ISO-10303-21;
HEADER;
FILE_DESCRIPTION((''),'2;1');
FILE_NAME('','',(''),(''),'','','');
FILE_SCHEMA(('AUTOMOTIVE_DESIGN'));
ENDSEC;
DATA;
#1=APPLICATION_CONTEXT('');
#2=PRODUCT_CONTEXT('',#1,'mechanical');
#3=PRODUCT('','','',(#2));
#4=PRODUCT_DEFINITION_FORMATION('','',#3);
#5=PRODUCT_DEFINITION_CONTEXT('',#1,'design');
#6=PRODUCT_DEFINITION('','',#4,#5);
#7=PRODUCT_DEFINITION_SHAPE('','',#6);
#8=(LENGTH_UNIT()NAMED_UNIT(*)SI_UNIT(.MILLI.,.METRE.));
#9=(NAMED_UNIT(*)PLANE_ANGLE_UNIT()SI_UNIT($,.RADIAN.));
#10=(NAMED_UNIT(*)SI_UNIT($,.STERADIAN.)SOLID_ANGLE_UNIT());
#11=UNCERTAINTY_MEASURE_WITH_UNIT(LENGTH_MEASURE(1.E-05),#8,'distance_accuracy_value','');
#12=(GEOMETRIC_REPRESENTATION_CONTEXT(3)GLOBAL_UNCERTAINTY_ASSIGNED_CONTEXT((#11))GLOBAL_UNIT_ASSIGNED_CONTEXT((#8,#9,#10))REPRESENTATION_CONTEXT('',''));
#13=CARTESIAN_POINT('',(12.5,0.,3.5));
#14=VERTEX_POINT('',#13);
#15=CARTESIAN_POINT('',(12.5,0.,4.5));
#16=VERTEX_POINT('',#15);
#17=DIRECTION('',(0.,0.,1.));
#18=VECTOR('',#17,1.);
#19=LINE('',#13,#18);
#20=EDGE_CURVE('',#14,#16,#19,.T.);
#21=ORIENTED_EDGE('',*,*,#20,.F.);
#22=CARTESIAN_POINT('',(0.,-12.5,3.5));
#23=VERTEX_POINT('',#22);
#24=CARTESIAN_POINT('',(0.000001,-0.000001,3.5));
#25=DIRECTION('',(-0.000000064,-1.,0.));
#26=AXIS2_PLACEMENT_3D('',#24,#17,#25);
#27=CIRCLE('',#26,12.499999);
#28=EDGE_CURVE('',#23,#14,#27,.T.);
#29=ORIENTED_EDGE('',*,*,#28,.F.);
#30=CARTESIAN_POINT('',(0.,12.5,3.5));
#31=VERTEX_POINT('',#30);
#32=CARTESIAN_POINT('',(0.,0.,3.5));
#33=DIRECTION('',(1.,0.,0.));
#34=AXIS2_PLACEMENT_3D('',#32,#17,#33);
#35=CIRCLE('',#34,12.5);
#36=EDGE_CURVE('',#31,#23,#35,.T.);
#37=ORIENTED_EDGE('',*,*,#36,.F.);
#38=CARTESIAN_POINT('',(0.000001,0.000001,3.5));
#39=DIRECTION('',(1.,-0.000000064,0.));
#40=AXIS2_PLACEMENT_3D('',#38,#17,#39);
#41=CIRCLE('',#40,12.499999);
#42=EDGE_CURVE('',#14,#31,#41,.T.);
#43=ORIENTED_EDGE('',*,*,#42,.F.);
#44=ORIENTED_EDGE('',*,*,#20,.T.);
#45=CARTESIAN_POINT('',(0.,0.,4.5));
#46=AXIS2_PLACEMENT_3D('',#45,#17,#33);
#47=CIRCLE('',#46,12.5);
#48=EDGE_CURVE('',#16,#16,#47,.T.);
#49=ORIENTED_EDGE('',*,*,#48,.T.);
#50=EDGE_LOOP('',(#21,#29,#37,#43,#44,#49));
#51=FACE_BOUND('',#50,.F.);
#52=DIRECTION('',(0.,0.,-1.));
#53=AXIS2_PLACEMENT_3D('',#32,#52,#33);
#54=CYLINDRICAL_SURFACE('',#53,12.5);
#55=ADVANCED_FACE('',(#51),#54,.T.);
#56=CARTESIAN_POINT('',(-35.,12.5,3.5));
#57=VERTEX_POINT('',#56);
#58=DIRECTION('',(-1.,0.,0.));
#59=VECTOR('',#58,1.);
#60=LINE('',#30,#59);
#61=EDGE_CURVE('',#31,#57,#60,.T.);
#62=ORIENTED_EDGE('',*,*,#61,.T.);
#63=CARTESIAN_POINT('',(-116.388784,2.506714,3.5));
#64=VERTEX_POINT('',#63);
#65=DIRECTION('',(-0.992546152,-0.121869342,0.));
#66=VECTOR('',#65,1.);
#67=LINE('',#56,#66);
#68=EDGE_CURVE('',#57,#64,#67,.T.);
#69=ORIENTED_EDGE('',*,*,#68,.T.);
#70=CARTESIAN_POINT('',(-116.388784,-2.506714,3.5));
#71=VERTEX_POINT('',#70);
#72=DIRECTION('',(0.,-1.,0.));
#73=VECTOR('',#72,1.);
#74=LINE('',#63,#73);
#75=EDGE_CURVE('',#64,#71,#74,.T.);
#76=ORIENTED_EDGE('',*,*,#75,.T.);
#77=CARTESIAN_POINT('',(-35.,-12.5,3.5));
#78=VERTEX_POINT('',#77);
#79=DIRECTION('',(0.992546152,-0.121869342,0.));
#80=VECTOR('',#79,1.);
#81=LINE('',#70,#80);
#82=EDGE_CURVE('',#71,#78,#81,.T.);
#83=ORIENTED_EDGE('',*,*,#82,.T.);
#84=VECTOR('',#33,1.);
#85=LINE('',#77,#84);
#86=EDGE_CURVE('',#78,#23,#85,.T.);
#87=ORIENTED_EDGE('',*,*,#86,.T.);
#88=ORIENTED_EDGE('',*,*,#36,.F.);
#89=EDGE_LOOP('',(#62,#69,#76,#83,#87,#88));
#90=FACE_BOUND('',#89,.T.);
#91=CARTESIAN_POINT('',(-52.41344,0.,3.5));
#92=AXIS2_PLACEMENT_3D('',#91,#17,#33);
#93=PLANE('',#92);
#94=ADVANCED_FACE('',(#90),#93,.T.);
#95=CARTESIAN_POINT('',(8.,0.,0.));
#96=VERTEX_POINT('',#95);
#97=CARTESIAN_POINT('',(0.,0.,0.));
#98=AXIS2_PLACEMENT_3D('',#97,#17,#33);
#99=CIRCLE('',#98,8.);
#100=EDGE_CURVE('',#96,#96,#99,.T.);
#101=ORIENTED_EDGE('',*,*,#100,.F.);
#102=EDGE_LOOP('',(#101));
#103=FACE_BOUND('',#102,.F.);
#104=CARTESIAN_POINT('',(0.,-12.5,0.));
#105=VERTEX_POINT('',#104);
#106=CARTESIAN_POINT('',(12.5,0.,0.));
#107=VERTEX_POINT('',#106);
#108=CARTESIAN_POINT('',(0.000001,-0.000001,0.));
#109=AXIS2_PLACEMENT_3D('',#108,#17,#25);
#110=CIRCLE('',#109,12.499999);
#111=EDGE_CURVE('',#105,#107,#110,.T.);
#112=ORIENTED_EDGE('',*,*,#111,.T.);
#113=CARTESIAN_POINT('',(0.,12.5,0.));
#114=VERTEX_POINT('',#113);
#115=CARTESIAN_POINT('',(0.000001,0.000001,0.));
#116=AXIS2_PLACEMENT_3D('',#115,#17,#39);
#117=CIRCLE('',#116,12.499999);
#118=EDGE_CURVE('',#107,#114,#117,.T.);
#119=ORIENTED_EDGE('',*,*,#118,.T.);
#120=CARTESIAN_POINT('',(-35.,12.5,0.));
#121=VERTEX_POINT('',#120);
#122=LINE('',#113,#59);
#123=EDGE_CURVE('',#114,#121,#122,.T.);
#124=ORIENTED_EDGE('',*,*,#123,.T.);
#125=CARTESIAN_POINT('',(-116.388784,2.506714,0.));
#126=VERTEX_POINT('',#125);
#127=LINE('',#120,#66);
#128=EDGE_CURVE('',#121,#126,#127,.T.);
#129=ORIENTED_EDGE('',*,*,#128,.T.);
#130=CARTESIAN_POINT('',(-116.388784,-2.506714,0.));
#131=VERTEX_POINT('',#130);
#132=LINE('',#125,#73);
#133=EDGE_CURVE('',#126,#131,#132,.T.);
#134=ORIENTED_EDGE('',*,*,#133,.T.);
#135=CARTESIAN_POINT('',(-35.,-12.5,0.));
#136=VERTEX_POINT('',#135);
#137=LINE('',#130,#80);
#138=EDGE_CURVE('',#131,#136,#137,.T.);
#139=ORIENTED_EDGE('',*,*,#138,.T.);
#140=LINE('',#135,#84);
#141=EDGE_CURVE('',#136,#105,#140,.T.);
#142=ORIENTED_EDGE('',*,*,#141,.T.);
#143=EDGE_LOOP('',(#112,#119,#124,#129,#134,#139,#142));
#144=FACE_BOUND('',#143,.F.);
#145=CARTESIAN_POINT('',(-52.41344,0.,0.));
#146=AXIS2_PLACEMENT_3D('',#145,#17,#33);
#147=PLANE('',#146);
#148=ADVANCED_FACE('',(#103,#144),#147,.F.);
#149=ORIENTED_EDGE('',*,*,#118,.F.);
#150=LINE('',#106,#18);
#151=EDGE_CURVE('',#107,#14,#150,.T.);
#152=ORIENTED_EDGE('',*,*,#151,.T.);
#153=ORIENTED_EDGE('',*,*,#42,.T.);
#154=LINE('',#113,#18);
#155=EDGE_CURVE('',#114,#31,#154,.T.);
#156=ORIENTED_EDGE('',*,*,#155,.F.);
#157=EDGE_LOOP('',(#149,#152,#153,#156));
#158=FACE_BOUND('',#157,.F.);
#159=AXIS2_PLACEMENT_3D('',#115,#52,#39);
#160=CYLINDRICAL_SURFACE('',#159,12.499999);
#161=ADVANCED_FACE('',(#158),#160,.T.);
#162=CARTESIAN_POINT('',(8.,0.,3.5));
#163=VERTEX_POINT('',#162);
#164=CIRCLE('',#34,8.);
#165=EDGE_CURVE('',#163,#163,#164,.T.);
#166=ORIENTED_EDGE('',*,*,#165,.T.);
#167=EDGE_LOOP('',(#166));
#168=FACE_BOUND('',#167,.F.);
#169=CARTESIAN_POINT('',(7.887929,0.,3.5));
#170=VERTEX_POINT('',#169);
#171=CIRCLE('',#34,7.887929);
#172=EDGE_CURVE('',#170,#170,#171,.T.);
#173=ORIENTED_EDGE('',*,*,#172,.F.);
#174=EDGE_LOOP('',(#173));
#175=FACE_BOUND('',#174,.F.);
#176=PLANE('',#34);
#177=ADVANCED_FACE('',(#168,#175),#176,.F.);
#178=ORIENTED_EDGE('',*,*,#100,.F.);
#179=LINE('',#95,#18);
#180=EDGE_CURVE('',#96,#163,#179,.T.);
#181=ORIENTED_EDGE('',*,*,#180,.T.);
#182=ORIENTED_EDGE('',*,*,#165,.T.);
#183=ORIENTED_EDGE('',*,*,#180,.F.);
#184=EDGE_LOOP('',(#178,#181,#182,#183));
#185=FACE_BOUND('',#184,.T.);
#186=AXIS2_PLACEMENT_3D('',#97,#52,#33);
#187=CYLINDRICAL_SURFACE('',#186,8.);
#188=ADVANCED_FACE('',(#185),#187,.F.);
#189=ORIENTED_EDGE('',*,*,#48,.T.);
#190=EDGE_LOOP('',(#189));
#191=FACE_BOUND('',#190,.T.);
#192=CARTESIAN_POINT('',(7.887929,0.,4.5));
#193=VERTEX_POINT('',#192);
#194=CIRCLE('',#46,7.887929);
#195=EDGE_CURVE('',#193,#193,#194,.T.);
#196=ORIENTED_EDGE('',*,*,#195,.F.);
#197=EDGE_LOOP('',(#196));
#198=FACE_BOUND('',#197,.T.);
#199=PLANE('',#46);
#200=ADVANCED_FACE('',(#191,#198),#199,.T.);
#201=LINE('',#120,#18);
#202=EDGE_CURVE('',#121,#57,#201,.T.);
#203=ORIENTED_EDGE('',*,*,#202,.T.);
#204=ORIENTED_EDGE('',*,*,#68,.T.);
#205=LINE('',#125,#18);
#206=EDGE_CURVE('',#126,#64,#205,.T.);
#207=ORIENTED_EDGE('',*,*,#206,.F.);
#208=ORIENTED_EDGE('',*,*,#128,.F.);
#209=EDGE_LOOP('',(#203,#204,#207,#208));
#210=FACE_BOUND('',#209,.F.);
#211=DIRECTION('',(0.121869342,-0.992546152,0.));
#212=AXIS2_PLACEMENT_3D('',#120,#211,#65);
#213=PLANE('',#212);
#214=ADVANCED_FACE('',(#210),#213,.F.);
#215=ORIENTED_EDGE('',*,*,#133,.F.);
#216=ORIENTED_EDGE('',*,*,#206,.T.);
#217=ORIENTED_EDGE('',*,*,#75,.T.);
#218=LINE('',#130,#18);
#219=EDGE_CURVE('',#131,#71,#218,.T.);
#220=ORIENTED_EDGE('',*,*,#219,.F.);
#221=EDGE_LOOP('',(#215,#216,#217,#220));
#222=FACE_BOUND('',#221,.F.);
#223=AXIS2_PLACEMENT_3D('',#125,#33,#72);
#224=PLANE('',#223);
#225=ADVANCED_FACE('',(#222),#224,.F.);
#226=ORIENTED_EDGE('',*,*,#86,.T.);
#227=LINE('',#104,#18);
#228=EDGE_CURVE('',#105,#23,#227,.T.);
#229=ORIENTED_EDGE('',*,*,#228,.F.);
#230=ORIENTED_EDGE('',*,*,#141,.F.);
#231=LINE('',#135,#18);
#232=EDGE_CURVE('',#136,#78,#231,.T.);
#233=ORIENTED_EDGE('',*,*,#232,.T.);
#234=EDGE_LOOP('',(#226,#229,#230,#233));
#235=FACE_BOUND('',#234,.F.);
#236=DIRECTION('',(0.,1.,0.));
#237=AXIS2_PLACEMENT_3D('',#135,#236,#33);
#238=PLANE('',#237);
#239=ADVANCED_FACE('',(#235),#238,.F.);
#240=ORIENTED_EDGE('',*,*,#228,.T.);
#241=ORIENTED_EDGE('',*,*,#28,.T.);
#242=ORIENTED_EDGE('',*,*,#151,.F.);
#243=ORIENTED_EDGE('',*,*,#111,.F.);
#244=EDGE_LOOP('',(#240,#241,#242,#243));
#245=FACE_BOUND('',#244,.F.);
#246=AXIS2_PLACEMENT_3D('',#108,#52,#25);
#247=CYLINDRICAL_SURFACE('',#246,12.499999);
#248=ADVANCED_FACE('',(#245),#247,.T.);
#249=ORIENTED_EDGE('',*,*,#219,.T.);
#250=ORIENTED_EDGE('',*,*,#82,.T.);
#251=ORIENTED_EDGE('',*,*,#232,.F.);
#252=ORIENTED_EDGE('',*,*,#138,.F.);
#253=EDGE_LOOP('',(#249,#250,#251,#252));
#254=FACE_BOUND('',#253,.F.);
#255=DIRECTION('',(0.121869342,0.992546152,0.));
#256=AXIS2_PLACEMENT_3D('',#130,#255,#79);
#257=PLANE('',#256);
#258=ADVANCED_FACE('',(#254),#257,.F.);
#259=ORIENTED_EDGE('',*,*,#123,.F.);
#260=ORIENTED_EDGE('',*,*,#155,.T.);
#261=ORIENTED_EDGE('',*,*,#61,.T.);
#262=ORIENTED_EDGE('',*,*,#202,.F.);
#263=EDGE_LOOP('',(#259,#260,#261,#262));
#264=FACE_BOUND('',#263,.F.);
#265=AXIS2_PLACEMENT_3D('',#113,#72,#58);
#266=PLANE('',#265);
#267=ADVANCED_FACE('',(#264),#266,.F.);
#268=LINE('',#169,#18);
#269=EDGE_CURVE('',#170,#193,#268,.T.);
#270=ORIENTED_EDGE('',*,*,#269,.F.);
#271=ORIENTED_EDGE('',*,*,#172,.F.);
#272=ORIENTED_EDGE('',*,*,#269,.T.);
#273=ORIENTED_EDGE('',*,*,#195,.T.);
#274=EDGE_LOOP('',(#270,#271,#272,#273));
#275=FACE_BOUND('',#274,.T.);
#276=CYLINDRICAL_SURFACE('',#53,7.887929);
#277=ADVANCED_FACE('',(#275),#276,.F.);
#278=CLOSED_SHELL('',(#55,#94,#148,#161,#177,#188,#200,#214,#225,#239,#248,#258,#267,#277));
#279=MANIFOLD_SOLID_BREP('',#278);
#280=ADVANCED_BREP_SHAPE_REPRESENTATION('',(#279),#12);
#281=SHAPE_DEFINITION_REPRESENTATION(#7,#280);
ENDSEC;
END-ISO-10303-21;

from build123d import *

# Parameters (mm, degrees)
F0_R     = 8
F1_DEPTH = 3.5
F2_R     = 12.5
F2_R_2   = 7.887929
F3_DEPTH = 1


with BuildPart() as f1:
    # F0 (on Top) → F1 (new body)
    with BuildSketch(Plane.XY):
        with BuildLine():
            ThreePointArc((0, -12.5), (-12.5, 0), (0, 12.5))
            Line((0, 12.5), (-35, 12.5))
            Line((-35, 12.5), (-116.388784, 2.506714))
            Line((-116.388784, 2.506714), (-116.388784, -2.506714))
            Line((-116.388784, -2.506714), (-35, -12.5))
            Line((-35, -12.5), (0, -12.5))
        make_face()
        with BuildLine():
            ThreePointArc((0, -12.5), (8.838835, -8.838835), (12.5, 0))
            ThreePointArc((12.5, 0), (8.838835, 8.838835), (0, 12.5))
            ThreePointArc((0, 12.5), (-12.5, 0), (0, -12.5))
        make_face()
        Circle(F0_R, mode=Mode.SUBTRACT)
    extrude(amount=F1_DEPTH)

    # F2 (on face) → F3 (join)
    with BuildSketch(Plane.XY.offset(3.5)):
        Circle(F2_R)
        Circle(F2_R_2, mode=Mode.SUBTRACT)
    extrude(amount=F3_DEPTH)


solid = f1.part
